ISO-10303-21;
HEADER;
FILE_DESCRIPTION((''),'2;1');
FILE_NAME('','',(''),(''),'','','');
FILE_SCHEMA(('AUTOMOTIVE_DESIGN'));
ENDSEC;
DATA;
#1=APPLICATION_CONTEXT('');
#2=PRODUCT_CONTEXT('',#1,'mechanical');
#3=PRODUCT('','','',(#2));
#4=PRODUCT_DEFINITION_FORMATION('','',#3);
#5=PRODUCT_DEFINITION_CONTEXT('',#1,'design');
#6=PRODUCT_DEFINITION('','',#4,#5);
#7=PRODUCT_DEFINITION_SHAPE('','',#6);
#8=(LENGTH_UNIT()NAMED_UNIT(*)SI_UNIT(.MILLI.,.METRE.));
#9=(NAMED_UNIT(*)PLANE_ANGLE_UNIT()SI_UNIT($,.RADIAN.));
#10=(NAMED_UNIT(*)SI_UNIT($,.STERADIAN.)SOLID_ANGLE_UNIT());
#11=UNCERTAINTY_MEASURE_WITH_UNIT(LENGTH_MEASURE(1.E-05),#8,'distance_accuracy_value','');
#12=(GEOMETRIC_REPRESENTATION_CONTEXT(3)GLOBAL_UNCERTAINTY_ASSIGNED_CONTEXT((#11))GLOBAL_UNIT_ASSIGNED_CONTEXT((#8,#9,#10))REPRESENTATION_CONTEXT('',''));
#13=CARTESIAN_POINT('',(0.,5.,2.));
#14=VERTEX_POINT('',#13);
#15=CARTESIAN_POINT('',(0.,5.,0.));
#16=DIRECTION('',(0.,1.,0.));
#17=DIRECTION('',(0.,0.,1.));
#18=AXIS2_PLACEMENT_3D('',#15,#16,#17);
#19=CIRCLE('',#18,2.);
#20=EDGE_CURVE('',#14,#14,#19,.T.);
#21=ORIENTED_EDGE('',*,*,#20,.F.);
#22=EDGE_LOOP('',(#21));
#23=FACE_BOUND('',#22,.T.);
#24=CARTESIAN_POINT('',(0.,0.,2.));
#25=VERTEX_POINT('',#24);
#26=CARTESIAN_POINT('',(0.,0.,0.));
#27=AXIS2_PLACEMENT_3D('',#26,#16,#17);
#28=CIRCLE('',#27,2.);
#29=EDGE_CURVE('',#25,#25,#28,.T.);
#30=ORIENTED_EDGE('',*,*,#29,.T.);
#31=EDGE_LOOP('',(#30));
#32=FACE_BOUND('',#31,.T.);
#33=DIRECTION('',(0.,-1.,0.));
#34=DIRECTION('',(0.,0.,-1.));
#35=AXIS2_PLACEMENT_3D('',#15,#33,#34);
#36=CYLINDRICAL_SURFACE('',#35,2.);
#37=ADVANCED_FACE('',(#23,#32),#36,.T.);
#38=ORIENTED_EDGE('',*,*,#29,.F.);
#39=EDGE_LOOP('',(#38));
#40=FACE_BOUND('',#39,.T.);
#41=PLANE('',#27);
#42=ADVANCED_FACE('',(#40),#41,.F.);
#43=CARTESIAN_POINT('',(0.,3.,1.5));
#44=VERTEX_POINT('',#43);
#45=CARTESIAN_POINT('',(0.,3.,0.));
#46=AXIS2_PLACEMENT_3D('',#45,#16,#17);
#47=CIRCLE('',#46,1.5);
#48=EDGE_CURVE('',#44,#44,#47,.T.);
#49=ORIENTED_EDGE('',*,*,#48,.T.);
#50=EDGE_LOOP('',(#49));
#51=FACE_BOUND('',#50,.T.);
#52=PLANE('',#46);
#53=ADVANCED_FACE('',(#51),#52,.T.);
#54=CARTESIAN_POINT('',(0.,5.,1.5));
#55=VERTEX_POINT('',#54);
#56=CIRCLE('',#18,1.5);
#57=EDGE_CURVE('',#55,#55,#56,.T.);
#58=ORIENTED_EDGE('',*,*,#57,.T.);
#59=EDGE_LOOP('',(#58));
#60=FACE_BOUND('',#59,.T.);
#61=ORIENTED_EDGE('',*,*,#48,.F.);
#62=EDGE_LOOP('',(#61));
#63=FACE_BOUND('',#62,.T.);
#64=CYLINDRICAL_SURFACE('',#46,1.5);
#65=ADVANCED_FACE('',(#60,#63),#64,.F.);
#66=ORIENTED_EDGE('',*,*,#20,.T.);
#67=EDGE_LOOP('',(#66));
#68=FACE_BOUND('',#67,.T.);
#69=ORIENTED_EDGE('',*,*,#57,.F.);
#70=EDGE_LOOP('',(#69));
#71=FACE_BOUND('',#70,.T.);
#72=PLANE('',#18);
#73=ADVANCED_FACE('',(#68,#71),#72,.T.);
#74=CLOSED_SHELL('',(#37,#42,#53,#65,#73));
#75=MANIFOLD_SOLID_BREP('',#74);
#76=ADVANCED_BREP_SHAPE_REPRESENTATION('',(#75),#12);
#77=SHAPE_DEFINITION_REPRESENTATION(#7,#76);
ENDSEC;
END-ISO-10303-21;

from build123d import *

# Parameters (mm, degrees)
SKETCH1_R           = 2
BOSS_EXTRUDE1_DEPTH = 5
SKETCH2_R           = 1.5
CUT_EXTRUDE1_DEPTH  = 2


with BuildPart() as part:
    # Sketch1 → Boss-Extrude1 (new body)
    with BuildSketch(Plane(origin=(0, 0, 0), x_dir=(1, 0, 0), z_dir=(0, 1, 0))):
        Circle(SKETCH1_R)
    extrude(amount=BOSS_EXTRUDE1_DEPTH)

    # Sketch2 → Cut-Extrude1 (cut)
    with BuildSketch(Plane(origin=(0, 5, 0), x_dir=(1, 0, 0), z_dir=(0, 1, 0))):
        Circle(SKETCH2_R)
    extrude(amount=-CUT_EXTRUDE1_DEPTH, mode=Mode.SUBTRACT)


solid = part.part
